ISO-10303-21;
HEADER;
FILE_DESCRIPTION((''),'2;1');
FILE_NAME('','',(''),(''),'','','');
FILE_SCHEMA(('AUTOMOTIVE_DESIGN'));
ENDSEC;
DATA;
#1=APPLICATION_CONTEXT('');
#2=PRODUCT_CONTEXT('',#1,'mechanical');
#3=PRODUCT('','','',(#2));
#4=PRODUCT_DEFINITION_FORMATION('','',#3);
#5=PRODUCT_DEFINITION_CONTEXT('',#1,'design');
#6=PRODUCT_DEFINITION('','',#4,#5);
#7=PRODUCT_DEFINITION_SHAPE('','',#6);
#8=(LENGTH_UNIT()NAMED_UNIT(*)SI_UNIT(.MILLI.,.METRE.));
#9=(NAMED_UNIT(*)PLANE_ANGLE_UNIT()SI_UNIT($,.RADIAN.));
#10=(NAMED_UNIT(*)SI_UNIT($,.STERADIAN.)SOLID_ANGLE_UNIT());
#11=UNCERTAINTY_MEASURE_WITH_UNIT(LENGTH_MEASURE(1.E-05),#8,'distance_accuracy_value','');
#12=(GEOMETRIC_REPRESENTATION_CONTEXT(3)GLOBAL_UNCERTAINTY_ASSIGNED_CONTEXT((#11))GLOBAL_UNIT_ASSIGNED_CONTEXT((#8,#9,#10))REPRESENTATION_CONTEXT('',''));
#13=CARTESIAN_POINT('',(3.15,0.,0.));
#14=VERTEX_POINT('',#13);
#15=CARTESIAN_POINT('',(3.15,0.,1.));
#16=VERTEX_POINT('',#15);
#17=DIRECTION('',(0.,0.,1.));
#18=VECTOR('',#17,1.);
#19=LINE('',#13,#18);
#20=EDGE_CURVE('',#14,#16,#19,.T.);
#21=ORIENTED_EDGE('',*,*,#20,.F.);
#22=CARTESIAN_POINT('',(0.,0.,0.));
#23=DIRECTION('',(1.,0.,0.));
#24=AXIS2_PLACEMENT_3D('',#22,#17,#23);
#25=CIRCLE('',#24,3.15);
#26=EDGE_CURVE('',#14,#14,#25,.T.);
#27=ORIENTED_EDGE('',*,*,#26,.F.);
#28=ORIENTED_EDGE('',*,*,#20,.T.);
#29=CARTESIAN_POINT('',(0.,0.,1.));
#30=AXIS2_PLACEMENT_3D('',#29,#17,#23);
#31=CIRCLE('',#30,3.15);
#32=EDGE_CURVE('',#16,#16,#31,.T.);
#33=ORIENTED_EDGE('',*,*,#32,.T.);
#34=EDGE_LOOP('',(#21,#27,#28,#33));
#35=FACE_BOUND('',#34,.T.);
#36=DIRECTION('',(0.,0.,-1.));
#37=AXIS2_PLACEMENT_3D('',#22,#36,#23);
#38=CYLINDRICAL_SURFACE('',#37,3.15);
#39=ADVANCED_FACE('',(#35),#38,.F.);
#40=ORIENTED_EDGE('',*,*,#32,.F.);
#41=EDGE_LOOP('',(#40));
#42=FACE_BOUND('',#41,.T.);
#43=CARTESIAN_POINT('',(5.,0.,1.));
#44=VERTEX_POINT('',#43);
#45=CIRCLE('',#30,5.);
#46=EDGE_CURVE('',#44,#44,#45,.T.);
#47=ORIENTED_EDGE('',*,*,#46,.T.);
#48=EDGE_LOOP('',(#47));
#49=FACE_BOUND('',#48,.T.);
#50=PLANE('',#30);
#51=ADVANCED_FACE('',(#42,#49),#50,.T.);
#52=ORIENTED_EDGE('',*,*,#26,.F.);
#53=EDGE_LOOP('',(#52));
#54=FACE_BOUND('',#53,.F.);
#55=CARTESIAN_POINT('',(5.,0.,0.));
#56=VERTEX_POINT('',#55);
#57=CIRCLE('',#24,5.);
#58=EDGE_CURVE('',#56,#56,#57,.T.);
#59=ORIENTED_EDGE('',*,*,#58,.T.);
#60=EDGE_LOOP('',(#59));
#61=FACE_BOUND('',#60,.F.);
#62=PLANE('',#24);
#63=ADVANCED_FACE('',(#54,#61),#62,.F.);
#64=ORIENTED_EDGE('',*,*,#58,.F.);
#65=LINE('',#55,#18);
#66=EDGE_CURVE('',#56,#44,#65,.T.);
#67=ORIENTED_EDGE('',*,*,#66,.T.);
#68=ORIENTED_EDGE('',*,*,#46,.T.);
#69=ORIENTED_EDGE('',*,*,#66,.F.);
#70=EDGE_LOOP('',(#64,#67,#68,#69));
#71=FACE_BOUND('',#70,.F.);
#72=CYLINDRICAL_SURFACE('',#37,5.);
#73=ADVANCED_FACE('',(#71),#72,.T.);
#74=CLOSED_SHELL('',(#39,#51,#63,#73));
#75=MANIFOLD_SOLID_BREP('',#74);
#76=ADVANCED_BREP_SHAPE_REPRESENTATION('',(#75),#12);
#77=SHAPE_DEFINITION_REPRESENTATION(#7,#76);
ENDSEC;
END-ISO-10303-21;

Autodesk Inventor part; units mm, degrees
ref_plane "YZ Plane" through (0, 0, 0) normal (1, 0, 0) x (0, 1, 0)
ref_plane "XZ Plane" through (0, 0, 0) normal (0, 1, 0) x (-1, 0, 0)
ref_plane "XY Plane" through (0, 0, 0) normal (0, 0, 1) x (1, 0, 0)
sketch "スケッチ1" plane through (0, 0, 0) normal (0, 0, 1) x (1, 0, 0)
  circle A0 centre (0, 0) radius 3.15
  circle A1 centre (0, 0) radius 5
  dimension "d0" = 6.3
  dimension "d1" = 10
extrude "押し出し1" add sketch "スケッチ1" along normal blind 1
properties part number "ワッシャー6.3,10,1t" material "アセタール樹脂、白"
